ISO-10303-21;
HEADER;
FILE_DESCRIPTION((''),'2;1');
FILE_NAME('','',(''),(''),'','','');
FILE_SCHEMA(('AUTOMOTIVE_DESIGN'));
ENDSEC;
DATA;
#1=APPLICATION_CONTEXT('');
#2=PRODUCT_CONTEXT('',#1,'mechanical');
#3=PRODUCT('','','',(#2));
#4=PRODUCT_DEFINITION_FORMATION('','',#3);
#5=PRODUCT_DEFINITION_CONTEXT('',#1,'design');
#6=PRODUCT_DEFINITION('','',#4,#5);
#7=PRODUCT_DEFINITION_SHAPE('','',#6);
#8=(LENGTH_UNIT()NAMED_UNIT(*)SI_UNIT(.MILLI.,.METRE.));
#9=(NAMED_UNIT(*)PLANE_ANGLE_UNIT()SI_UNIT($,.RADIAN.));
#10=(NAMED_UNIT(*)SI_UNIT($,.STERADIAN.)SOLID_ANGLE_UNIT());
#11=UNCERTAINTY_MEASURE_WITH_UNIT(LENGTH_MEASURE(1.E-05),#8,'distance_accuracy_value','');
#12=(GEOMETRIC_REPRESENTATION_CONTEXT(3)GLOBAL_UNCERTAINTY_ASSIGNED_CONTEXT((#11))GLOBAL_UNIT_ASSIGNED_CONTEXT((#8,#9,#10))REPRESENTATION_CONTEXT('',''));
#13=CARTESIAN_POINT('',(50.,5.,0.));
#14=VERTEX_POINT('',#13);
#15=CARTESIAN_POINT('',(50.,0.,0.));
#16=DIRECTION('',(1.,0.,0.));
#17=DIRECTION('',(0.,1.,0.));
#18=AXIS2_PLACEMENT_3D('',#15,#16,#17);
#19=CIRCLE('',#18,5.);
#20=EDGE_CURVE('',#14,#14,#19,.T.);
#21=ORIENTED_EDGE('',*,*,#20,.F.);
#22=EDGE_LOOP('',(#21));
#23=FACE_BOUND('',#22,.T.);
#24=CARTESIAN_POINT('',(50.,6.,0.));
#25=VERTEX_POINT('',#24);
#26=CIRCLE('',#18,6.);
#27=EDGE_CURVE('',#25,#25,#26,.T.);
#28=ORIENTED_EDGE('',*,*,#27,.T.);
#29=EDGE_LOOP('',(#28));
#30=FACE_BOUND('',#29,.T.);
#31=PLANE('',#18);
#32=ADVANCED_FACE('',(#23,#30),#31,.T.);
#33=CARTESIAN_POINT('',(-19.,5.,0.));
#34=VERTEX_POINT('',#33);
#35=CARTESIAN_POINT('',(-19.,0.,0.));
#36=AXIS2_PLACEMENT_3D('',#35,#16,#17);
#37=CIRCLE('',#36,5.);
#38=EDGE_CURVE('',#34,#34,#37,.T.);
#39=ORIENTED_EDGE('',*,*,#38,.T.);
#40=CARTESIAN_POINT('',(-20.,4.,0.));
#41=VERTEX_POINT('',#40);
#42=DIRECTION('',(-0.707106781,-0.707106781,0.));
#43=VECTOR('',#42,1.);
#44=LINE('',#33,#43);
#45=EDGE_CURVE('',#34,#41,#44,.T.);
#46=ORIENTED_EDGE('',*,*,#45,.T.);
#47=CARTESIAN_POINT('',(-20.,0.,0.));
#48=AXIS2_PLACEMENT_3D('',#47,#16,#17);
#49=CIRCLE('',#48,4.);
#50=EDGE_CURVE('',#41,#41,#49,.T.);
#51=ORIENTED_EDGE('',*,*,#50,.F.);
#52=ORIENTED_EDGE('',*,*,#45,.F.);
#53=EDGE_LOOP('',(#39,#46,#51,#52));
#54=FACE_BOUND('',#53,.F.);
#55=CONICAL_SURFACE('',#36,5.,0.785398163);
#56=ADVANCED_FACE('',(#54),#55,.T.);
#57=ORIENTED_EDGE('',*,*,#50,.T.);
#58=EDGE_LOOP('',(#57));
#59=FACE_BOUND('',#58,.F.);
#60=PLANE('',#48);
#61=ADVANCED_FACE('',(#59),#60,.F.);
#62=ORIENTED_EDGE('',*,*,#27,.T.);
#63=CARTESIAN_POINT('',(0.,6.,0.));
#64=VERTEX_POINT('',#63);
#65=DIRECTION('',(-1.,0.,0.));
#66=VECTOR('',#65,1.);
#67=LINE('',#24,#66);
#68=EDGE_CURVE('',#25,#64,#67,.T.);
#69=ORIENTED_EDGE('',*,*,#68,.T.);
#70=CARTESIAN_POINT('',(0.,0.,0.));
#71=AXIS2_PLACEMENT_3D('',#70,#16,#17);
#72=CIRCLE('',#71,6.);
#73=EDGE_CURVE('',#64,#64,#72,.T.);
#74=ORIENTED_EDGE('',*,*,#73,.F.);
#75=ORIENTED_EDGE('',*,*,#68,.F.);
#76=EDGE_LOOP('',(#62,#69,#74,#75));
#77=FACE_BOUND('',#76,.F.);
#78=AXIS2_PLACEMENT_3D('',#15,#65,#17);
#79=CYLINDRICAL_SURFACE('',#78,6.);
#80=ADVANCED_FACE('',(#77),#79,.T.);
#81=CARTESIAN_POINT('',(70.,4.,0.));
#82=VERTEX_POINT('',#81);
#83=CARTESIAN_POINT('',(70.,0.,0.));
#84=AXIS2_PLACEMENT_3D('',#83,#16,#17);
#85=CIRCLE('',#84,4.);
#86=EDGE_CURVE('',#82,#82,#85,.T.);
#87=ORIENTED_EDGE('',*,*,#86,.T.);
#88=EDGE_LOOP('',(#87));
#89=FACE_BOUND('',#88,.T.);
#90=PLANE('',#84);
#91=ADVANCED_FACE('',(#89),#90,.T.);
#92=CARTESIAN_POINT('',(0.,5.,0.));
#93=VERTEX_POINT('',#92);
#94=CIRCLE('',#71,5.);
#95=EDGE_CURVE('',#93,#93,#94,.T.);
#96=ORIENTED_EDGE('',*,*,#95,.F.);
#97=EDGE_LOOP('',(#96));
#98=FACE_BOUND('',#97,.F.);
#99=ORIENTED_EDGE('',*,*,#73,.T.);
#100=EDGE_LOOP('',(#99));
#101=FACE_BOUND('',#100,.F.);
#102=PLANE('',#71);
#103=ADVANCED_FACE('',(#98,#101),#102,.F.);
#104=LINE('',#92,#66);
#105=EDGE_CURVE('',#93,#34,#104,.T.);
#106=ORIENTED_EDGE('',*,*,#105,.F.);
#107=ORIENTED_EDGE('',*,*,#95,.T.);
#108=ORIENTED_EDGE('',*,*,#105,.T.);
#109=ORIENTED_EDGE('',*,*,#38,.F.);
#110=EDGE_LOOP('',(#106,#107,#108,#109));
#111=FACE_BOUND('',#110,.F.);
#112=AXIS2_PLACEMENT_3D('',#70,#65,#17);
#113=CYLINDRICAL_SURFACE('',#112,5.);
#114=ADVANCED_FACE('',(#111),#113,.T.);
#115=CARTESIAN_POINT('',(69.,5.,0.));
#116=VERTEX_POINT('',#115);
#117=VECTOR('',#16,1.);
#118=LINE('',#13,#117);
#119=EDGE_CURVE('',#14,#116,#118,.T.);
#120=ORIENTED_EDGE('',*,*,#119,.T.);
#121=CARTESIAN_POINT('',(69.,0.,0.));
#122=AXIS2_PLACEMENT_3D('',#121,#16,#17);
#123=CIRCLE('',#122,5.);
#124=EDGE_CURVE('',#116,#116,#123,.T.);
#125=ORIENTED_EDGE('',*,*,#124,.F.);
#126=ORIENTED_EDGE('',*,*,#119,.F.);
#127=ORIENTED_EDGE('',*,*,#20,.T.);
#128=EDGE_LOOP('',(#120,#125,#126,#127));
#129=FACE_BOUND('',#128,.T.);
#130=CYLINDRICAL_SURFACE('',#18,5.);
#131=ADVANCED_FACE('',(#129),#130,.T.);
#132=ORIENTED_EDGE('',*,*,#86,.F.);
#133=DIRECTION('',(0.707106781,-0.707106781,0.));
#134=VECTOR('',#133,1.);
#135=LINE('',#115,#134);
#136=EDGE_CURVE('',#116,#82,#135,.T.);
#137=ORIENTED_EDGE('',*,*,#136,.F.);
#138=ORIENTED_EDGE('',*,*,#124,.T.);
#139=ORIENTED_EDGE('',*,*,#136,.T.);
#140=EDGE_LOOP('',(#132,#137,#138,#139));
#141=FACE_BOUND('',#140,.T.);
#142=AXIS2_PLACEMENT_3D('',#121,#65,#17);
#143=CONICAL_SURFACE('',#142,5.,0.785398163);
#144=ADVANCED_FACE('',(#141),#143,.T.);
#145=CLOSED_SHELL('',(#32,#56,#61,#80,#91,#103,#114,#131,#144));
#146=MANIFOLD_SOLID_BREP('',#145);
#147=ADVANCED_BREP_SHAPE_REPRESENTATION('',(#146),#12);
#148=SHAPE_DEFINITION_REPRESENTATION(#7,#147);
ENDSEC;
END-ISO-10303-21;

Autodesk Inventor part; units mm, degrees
ref_plane "YZ Plane" through (0, 0, 0) normal (1, 0, 0) x (0, 1, 0)
ref_plane "XY Plane" through (0, 0, 0) normal (0, 0, 1) x (1, 0, 0)
sketch "Sketch1" plane through (0, 0, 0) normal (0, 0, 1) x (1, 0, 0)
  line L0 (0, 0) -> (70, 0)
  line L1 (0, 6) -> (0, 0)
  line L2 (50, 6) -> (50, 5)
  line L3 (50, 5) -> (70, 5)
  line L4 (70, 5) -> (70, 0)
  line L5 (50, 6) -> (0, 6)
  line L6 (0, 6) -> (0, 5)
  line L7 (0, 5) -> (-20, 5)
  line L8 (-20, 5) -> (-20, 0)
  line L9 (-20, 0) -> (0, 0)
  dimension "d10" = 1
  dimension "d11" = 20
  dimension "d12" = 5
  dimension "d16" = 20
  dimension "d17" = 5
  dimension "d18" = 50
revolve "Revolution1" add sketch "Sketch1" angle 360 about axis through (0, 0, 0) along (1, 0, 0)
thread "Thread2" size "M12x1.75" class "6g" standard "ANSI Metric M Profile" full length
ref_plane "Work Plane1" through (25, 0, 0) normal (1, 0, 0) x (0, 0, -1)
chamfer "Chamfer2" distance 1 angle 45 2 edges at (70, -5, 0) (-20, -5, 0)
properties part number "Rocker Base Shaft"
